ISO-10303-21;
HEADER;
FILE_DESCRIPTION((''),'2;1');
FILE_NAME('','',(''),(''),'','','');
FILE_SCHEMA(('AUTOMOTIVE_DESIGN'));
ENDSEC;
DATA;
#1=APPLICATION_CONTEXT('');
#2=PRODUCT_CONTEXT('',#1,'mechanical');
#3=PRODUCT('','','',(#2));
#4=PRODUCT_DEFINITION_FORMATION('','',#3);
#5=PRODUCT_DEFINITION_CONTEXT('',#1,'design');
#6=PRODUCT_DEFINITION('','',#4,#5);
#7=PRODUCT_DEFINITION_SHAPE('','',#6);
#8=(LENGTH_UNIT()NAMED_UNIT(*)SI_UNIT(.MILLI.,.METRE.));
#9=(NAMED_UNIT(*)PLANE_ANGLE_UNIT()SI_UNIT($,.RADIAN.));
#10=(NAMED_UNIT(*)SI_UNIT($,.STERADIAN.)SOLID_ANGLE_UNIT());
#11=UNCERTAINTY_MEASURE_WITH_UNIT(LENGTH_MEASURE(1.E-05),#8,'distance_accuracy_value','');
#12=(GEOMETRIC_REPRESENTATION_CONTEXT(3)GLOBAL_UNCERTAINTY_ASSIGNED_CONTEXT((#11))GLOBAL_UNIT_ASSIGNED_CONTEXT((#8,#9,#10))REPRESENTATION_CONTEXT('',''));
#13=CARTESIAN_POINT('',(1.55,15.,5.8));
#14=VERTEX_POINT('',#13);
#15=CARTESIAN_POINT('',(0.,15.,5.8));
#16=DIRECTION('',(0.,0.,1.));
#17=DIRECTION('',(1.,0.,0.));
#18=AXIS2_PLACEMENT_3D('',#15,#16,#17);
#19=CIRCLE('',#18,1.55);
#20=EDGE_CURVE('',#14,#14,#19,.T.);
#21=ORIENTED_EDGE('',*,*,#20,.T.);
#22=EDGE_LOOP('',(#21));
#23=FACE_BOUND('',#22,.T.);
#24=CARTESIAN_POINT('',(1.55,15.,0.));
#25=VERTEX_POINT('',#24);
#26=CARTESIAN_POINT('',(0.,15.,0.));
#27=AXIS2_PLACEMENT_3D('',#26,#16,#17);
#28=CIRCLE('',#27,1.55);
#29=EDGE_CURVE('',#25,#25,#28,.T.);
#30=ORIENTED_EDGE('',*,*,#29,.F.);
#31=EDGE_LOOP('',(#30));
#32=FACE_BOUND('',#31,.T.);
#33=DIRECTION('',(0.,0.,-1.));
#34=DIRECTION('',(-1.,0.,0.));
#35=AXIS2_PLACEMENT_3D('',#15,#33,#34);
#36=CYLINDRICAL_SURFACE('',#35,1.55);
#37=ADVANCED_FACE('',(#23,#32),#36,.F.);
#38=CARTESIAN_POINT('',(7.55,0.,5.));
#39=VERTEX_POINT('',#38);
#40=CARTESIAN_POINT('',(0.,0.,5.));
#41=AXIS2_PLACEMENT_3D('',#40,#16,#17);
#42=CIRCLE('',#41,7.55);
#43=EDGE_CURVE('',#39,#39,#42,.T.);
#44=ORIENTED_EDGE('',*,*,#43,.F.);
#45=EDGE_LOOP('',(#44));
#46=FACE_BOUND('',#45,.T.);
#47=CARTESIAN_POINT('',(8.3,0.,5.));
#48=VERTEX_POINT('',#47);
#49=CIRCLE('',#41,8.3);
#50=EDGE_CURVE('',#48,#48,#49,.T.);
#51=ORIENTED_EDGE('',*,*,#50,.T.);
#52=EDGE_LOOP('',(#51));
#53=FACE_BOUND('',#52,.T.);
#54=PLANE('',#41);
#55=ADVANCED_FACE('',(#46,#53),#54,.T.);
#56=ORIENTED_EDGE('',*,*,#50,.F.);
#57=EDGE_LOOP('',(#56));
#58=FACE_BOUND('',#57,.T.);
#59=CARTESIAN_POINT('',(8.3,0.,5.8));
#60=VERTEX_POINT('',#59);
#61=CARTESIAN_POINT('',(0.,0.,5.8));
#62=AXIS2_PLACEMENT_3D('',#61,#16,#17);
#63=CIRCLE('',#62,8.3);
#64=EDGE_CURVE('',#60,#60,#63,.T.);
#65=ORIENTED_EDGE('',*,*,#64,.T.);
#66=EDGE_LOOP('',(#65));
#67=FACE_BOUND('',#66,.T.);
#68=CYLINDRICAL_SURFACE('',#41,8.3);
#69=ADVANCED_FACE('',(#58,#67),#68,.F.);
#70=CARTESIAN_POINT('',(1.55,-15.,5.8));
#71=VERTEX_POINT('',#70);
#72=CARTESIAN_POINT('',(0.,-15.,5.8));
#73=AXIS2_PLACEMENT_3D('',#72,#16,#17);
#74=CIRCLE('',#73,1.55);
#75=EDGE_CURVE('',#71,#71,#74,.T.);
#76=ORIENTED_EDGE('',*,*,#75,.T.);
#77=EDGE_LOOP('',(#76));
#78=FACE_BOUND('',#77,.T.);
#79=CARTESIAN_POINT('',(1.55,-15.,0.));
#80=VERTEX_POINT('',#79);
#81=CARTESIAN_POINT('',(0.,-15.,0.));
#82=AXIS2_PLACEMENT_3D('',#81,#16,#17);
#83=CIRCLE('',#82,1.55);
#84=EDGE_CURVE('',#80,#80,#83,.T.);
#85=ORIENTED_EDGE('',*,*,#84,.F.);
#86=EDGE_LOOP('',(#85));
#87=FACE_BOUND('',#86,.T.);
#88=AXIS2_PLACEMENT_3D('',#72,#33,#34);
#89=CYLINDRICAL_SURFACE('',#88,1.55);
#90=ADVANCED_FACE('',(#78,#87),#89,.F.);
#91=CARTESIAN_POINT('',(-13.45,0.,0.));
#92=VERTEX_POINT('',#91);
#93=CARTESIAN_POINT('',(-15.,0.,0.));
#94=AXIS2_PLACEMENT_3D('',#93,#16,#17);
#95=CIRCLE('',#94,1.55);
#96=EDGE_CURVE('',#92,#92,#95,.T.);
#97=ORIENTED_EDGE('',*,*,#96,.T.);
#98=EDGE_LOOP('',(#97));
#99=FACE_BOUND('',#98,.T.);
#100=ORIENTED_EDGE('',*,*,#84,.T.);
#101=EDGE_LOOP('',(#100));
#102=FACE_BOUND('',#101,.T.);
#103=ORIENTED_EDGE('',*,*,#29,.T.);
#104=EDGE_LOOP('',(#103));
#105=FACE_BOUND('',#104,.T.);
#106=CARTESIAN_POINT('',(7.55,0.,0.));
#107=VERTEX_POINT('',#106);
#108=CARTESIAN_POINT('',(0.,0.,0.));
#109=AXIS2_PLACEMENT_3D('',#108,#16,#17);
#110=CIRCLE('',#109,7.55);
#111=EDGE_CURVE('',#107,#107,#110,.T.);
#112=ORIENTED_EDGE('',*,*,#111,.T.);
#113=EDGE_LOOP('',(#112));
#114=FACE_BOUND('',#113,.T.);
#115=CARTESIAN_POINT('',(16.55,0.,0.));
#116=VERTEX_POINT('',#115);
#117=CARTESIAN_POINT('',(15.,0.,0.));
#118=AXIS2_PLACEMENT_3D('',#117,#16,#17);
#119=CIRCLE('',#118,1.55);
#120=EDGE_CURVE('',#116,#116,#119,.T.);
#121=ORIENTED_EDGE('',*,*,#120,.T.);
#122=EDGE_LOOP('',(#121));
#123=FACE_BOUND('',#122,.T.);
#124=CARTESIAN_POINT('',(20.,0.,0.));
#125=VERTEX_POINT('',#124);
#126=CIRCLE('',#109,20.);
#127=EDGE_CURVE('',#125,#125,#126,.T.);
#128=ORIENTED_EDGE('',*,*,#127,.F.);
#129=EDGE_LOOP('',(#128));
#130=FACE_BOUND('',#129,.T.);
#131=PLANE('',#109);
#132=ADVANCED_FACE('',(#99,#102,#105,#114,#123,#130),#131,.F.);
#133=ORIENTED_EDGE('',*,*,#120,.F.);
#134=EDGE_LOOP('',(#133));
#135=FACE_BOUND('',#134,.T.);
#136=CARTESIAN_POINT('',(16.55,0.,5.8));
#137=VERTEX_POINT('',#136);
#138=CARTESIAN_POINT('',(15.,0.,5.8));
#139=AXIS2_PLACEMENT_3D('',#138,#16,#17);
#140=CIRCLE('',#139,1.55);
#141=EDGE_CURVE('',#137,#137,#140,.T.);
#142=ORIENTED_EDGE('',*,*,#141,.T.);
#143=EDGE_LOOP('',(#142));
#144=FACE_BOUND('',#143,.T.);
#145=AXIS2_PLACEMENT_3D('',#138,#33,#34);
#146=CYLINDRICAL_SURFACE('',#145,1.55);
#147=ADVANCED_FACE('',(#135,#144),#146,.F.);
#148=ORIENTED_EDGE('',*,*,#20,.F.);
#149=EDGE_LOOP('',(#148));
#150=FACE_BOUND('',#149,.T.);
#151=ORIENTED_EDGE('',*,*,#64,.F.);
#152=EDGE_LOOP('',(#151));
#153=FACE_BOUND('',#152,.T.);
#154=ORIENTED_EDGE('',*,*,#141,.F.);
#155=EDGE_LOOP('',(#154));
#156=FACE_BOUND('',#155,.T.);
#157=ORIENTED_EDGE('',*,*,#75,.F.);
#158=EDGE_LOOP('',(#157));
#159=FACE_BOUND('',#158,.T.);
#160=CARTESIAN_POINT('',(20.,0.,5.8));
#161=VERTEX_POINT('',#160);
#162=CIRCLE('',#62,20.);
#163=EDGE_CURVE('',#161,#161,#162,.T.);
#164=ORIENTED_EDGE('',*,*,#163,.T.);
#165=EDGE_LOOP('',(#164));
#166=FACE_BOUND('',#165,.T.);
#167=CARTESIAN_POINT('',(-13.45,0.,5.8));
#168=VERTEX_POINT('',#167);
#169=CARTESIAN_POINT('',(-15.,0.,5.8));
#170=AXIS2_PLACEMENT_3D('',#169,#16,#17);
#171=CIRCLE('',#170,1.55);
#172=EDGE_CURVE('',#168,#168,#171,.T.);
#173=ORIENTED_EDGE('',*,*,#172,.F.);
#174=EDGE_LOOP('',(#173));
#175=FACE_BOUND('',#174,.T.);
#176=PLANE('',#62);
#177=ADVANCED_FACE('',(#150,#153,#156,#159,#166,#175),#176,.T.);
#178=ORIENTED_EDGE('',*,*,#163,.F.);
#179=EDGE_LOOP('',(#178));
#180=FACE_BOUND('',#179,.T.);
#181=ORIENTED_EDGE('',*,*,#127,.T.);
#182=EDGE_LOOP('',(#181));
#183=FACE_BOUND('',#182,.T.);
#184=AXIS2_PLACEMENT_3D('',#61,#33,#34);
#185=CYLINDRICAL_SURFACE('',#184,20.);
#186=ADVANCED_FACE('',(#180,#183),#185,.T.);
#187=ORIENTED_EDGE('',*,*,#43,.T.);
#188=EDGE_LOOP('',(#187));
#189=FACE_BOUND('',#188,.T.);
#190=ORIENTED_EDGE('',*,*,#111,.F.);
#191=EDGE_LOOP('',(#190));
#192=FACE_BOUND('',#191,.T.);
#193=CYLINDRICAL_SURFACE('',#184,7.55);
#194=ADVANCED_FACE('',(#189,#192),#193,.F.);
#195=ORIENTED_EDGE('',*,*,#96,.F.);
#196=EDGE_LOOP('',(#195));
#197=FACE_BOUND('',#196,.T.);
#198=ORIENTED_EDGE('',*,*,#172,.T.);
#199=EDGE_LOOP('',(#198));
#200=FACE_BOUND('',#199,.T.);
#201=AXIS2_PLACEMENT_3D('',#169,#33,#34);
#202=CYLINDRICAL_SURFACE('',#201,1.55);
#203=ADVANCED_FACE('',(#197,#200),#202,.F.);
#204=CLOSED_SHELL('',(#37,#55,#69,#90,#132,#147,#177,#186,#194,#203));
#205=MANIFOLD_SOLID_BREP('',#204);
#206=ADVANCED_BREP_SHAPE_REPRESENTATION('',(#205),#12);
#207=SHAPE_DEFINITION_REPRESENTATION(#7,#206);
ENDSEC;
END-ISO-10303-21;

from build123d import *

# Parameters (mm, degrees)
SKETCH_1_R          = 20
SKETCH_1_R_2        = 7.55
SKETCH_1_R_3        = 1.55
EXTRUDE_1_DEPTH     = 5.8
SKETCH_2_R          = 8.3
CUT_EXTRUDE_1_DEPTH = 0.8


with BuildPart() as part:
    # ｽｹｯﾁ1 → ﾎﾞｽ - 押し出し1 (new body)
    with BuildSketch(Plane.XY):
        Circle(SKETCH_1_R)
        Circle(SKETCH_1_R_2, mode=Mode.SUBTRACT)
        with Locations((0, 15)):
            Circle(SKETCH_1_R_3, mode=Mode.SUBTRACT)
        with Locations((15, 0)):
            Circle(SKETCH_1_R_3, mode=Mode.SUBTRACT)
        with Locations((0, -15)):
            Circle(SKETCH_1_R_3, mode=Mode.SUBTRACT)
        with Locations((-15, 0)):
            Circle(SKETCH_1_R_3, mode=Mode.SUBTRACT)
    extrude(amount=EXTRUDE_1_DEPTH)

    # ｽｹｯﾁ2 → ｶｯﾄ - 押し出し1 (cut)
    with BuildSketch(Plane.XY.offset(5.8)):
        Circle(SKETCH_2_R)
    extrude(amount=-CUT_EXTRUDE_1_DEPTH, mode=Mode.SUBTRACT)


solid = part.part
